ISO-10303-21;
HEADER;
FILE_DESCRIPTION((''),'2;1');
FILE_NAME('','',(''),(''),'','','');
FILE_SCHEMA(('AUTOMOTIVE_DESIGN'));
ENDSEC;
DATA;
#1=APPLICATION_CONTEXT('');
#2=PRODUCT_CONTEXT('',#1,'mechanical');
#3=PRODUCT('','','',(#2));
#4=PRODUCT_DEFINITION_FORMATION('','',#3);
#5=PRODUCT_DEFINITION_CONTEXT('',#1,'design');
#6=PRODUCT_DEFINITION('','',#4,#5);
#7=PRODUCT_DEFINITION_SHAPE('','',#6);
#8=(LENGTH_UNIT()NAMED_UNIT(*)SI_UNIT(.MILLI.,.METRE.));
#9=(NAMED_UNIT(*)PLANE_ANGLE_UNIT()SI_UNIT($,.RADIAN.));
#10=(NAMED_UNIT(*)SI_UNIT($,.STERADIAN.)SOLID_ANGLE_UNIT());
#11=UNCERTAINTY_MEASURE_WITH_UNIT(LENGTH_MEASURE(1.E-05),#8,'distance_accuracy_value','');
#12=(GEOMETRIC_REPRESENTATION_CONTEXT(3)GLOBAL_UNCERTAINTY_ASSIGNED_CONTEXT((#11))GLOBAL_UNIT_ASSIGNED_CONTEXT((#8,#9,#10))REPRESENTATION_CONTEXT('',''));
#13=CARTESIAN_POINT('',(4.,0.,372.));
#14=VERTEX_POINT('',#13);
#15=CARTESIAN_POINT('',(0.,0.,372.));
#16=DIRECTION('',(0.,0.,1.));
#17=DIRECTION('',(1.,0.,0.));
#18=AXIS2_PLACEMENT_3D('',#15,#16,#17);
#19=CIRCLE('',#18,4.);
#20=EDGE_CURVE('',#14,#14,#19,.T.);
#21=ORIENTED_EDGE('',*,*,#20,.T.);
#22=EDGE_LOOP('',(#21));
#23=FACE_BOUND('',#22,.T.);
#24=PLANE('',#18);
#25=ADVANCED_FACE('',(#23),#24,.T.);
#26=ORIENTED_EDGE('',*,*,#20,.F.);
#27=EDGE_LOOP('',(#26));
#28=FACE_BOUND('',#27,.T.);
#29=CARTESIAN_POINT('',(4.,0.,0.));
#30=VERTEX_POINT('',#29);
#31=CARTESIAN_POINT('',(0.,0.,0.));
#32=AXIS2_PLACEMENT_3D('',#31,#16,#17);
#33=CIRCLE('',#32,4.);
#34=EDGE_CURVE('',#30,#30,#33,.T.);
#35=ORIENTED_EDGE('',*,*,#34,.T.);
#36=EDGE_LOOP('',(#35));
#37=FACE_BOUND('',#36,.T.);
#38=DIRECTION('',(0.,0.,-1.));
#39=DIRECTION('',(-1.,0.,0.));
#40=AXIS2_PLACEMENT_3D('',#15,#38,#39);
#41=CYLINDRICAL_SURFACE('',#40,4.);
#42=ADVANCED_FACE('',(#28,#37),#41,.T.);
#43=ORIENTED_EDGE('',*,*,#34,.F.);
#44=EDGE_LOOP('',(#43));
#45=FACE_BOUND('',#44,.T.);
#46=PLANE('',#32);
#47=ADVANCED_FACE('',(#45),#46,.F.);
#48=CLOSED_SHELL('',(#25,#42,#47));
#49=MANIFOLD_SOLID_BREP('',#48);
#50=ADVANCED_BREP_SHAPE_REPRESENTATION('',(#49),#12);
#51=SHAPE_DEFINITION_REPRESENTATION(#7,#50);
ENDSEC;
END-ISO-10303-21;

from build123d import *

# Parameters (mm, degrees)
SKETCH1_R           = 4
BOSS_EXTRUDE1_DEPTH = 372


with BuildPart() as part:
    # Sketch1 → Boss-Extrude1 (new body)
    with BuildSketch(Plane.XY):
        Circle(SKETCH1_R)
    extrude(amount=BOSS_EXTRUDE1_DEPTH)


solid = part.part
